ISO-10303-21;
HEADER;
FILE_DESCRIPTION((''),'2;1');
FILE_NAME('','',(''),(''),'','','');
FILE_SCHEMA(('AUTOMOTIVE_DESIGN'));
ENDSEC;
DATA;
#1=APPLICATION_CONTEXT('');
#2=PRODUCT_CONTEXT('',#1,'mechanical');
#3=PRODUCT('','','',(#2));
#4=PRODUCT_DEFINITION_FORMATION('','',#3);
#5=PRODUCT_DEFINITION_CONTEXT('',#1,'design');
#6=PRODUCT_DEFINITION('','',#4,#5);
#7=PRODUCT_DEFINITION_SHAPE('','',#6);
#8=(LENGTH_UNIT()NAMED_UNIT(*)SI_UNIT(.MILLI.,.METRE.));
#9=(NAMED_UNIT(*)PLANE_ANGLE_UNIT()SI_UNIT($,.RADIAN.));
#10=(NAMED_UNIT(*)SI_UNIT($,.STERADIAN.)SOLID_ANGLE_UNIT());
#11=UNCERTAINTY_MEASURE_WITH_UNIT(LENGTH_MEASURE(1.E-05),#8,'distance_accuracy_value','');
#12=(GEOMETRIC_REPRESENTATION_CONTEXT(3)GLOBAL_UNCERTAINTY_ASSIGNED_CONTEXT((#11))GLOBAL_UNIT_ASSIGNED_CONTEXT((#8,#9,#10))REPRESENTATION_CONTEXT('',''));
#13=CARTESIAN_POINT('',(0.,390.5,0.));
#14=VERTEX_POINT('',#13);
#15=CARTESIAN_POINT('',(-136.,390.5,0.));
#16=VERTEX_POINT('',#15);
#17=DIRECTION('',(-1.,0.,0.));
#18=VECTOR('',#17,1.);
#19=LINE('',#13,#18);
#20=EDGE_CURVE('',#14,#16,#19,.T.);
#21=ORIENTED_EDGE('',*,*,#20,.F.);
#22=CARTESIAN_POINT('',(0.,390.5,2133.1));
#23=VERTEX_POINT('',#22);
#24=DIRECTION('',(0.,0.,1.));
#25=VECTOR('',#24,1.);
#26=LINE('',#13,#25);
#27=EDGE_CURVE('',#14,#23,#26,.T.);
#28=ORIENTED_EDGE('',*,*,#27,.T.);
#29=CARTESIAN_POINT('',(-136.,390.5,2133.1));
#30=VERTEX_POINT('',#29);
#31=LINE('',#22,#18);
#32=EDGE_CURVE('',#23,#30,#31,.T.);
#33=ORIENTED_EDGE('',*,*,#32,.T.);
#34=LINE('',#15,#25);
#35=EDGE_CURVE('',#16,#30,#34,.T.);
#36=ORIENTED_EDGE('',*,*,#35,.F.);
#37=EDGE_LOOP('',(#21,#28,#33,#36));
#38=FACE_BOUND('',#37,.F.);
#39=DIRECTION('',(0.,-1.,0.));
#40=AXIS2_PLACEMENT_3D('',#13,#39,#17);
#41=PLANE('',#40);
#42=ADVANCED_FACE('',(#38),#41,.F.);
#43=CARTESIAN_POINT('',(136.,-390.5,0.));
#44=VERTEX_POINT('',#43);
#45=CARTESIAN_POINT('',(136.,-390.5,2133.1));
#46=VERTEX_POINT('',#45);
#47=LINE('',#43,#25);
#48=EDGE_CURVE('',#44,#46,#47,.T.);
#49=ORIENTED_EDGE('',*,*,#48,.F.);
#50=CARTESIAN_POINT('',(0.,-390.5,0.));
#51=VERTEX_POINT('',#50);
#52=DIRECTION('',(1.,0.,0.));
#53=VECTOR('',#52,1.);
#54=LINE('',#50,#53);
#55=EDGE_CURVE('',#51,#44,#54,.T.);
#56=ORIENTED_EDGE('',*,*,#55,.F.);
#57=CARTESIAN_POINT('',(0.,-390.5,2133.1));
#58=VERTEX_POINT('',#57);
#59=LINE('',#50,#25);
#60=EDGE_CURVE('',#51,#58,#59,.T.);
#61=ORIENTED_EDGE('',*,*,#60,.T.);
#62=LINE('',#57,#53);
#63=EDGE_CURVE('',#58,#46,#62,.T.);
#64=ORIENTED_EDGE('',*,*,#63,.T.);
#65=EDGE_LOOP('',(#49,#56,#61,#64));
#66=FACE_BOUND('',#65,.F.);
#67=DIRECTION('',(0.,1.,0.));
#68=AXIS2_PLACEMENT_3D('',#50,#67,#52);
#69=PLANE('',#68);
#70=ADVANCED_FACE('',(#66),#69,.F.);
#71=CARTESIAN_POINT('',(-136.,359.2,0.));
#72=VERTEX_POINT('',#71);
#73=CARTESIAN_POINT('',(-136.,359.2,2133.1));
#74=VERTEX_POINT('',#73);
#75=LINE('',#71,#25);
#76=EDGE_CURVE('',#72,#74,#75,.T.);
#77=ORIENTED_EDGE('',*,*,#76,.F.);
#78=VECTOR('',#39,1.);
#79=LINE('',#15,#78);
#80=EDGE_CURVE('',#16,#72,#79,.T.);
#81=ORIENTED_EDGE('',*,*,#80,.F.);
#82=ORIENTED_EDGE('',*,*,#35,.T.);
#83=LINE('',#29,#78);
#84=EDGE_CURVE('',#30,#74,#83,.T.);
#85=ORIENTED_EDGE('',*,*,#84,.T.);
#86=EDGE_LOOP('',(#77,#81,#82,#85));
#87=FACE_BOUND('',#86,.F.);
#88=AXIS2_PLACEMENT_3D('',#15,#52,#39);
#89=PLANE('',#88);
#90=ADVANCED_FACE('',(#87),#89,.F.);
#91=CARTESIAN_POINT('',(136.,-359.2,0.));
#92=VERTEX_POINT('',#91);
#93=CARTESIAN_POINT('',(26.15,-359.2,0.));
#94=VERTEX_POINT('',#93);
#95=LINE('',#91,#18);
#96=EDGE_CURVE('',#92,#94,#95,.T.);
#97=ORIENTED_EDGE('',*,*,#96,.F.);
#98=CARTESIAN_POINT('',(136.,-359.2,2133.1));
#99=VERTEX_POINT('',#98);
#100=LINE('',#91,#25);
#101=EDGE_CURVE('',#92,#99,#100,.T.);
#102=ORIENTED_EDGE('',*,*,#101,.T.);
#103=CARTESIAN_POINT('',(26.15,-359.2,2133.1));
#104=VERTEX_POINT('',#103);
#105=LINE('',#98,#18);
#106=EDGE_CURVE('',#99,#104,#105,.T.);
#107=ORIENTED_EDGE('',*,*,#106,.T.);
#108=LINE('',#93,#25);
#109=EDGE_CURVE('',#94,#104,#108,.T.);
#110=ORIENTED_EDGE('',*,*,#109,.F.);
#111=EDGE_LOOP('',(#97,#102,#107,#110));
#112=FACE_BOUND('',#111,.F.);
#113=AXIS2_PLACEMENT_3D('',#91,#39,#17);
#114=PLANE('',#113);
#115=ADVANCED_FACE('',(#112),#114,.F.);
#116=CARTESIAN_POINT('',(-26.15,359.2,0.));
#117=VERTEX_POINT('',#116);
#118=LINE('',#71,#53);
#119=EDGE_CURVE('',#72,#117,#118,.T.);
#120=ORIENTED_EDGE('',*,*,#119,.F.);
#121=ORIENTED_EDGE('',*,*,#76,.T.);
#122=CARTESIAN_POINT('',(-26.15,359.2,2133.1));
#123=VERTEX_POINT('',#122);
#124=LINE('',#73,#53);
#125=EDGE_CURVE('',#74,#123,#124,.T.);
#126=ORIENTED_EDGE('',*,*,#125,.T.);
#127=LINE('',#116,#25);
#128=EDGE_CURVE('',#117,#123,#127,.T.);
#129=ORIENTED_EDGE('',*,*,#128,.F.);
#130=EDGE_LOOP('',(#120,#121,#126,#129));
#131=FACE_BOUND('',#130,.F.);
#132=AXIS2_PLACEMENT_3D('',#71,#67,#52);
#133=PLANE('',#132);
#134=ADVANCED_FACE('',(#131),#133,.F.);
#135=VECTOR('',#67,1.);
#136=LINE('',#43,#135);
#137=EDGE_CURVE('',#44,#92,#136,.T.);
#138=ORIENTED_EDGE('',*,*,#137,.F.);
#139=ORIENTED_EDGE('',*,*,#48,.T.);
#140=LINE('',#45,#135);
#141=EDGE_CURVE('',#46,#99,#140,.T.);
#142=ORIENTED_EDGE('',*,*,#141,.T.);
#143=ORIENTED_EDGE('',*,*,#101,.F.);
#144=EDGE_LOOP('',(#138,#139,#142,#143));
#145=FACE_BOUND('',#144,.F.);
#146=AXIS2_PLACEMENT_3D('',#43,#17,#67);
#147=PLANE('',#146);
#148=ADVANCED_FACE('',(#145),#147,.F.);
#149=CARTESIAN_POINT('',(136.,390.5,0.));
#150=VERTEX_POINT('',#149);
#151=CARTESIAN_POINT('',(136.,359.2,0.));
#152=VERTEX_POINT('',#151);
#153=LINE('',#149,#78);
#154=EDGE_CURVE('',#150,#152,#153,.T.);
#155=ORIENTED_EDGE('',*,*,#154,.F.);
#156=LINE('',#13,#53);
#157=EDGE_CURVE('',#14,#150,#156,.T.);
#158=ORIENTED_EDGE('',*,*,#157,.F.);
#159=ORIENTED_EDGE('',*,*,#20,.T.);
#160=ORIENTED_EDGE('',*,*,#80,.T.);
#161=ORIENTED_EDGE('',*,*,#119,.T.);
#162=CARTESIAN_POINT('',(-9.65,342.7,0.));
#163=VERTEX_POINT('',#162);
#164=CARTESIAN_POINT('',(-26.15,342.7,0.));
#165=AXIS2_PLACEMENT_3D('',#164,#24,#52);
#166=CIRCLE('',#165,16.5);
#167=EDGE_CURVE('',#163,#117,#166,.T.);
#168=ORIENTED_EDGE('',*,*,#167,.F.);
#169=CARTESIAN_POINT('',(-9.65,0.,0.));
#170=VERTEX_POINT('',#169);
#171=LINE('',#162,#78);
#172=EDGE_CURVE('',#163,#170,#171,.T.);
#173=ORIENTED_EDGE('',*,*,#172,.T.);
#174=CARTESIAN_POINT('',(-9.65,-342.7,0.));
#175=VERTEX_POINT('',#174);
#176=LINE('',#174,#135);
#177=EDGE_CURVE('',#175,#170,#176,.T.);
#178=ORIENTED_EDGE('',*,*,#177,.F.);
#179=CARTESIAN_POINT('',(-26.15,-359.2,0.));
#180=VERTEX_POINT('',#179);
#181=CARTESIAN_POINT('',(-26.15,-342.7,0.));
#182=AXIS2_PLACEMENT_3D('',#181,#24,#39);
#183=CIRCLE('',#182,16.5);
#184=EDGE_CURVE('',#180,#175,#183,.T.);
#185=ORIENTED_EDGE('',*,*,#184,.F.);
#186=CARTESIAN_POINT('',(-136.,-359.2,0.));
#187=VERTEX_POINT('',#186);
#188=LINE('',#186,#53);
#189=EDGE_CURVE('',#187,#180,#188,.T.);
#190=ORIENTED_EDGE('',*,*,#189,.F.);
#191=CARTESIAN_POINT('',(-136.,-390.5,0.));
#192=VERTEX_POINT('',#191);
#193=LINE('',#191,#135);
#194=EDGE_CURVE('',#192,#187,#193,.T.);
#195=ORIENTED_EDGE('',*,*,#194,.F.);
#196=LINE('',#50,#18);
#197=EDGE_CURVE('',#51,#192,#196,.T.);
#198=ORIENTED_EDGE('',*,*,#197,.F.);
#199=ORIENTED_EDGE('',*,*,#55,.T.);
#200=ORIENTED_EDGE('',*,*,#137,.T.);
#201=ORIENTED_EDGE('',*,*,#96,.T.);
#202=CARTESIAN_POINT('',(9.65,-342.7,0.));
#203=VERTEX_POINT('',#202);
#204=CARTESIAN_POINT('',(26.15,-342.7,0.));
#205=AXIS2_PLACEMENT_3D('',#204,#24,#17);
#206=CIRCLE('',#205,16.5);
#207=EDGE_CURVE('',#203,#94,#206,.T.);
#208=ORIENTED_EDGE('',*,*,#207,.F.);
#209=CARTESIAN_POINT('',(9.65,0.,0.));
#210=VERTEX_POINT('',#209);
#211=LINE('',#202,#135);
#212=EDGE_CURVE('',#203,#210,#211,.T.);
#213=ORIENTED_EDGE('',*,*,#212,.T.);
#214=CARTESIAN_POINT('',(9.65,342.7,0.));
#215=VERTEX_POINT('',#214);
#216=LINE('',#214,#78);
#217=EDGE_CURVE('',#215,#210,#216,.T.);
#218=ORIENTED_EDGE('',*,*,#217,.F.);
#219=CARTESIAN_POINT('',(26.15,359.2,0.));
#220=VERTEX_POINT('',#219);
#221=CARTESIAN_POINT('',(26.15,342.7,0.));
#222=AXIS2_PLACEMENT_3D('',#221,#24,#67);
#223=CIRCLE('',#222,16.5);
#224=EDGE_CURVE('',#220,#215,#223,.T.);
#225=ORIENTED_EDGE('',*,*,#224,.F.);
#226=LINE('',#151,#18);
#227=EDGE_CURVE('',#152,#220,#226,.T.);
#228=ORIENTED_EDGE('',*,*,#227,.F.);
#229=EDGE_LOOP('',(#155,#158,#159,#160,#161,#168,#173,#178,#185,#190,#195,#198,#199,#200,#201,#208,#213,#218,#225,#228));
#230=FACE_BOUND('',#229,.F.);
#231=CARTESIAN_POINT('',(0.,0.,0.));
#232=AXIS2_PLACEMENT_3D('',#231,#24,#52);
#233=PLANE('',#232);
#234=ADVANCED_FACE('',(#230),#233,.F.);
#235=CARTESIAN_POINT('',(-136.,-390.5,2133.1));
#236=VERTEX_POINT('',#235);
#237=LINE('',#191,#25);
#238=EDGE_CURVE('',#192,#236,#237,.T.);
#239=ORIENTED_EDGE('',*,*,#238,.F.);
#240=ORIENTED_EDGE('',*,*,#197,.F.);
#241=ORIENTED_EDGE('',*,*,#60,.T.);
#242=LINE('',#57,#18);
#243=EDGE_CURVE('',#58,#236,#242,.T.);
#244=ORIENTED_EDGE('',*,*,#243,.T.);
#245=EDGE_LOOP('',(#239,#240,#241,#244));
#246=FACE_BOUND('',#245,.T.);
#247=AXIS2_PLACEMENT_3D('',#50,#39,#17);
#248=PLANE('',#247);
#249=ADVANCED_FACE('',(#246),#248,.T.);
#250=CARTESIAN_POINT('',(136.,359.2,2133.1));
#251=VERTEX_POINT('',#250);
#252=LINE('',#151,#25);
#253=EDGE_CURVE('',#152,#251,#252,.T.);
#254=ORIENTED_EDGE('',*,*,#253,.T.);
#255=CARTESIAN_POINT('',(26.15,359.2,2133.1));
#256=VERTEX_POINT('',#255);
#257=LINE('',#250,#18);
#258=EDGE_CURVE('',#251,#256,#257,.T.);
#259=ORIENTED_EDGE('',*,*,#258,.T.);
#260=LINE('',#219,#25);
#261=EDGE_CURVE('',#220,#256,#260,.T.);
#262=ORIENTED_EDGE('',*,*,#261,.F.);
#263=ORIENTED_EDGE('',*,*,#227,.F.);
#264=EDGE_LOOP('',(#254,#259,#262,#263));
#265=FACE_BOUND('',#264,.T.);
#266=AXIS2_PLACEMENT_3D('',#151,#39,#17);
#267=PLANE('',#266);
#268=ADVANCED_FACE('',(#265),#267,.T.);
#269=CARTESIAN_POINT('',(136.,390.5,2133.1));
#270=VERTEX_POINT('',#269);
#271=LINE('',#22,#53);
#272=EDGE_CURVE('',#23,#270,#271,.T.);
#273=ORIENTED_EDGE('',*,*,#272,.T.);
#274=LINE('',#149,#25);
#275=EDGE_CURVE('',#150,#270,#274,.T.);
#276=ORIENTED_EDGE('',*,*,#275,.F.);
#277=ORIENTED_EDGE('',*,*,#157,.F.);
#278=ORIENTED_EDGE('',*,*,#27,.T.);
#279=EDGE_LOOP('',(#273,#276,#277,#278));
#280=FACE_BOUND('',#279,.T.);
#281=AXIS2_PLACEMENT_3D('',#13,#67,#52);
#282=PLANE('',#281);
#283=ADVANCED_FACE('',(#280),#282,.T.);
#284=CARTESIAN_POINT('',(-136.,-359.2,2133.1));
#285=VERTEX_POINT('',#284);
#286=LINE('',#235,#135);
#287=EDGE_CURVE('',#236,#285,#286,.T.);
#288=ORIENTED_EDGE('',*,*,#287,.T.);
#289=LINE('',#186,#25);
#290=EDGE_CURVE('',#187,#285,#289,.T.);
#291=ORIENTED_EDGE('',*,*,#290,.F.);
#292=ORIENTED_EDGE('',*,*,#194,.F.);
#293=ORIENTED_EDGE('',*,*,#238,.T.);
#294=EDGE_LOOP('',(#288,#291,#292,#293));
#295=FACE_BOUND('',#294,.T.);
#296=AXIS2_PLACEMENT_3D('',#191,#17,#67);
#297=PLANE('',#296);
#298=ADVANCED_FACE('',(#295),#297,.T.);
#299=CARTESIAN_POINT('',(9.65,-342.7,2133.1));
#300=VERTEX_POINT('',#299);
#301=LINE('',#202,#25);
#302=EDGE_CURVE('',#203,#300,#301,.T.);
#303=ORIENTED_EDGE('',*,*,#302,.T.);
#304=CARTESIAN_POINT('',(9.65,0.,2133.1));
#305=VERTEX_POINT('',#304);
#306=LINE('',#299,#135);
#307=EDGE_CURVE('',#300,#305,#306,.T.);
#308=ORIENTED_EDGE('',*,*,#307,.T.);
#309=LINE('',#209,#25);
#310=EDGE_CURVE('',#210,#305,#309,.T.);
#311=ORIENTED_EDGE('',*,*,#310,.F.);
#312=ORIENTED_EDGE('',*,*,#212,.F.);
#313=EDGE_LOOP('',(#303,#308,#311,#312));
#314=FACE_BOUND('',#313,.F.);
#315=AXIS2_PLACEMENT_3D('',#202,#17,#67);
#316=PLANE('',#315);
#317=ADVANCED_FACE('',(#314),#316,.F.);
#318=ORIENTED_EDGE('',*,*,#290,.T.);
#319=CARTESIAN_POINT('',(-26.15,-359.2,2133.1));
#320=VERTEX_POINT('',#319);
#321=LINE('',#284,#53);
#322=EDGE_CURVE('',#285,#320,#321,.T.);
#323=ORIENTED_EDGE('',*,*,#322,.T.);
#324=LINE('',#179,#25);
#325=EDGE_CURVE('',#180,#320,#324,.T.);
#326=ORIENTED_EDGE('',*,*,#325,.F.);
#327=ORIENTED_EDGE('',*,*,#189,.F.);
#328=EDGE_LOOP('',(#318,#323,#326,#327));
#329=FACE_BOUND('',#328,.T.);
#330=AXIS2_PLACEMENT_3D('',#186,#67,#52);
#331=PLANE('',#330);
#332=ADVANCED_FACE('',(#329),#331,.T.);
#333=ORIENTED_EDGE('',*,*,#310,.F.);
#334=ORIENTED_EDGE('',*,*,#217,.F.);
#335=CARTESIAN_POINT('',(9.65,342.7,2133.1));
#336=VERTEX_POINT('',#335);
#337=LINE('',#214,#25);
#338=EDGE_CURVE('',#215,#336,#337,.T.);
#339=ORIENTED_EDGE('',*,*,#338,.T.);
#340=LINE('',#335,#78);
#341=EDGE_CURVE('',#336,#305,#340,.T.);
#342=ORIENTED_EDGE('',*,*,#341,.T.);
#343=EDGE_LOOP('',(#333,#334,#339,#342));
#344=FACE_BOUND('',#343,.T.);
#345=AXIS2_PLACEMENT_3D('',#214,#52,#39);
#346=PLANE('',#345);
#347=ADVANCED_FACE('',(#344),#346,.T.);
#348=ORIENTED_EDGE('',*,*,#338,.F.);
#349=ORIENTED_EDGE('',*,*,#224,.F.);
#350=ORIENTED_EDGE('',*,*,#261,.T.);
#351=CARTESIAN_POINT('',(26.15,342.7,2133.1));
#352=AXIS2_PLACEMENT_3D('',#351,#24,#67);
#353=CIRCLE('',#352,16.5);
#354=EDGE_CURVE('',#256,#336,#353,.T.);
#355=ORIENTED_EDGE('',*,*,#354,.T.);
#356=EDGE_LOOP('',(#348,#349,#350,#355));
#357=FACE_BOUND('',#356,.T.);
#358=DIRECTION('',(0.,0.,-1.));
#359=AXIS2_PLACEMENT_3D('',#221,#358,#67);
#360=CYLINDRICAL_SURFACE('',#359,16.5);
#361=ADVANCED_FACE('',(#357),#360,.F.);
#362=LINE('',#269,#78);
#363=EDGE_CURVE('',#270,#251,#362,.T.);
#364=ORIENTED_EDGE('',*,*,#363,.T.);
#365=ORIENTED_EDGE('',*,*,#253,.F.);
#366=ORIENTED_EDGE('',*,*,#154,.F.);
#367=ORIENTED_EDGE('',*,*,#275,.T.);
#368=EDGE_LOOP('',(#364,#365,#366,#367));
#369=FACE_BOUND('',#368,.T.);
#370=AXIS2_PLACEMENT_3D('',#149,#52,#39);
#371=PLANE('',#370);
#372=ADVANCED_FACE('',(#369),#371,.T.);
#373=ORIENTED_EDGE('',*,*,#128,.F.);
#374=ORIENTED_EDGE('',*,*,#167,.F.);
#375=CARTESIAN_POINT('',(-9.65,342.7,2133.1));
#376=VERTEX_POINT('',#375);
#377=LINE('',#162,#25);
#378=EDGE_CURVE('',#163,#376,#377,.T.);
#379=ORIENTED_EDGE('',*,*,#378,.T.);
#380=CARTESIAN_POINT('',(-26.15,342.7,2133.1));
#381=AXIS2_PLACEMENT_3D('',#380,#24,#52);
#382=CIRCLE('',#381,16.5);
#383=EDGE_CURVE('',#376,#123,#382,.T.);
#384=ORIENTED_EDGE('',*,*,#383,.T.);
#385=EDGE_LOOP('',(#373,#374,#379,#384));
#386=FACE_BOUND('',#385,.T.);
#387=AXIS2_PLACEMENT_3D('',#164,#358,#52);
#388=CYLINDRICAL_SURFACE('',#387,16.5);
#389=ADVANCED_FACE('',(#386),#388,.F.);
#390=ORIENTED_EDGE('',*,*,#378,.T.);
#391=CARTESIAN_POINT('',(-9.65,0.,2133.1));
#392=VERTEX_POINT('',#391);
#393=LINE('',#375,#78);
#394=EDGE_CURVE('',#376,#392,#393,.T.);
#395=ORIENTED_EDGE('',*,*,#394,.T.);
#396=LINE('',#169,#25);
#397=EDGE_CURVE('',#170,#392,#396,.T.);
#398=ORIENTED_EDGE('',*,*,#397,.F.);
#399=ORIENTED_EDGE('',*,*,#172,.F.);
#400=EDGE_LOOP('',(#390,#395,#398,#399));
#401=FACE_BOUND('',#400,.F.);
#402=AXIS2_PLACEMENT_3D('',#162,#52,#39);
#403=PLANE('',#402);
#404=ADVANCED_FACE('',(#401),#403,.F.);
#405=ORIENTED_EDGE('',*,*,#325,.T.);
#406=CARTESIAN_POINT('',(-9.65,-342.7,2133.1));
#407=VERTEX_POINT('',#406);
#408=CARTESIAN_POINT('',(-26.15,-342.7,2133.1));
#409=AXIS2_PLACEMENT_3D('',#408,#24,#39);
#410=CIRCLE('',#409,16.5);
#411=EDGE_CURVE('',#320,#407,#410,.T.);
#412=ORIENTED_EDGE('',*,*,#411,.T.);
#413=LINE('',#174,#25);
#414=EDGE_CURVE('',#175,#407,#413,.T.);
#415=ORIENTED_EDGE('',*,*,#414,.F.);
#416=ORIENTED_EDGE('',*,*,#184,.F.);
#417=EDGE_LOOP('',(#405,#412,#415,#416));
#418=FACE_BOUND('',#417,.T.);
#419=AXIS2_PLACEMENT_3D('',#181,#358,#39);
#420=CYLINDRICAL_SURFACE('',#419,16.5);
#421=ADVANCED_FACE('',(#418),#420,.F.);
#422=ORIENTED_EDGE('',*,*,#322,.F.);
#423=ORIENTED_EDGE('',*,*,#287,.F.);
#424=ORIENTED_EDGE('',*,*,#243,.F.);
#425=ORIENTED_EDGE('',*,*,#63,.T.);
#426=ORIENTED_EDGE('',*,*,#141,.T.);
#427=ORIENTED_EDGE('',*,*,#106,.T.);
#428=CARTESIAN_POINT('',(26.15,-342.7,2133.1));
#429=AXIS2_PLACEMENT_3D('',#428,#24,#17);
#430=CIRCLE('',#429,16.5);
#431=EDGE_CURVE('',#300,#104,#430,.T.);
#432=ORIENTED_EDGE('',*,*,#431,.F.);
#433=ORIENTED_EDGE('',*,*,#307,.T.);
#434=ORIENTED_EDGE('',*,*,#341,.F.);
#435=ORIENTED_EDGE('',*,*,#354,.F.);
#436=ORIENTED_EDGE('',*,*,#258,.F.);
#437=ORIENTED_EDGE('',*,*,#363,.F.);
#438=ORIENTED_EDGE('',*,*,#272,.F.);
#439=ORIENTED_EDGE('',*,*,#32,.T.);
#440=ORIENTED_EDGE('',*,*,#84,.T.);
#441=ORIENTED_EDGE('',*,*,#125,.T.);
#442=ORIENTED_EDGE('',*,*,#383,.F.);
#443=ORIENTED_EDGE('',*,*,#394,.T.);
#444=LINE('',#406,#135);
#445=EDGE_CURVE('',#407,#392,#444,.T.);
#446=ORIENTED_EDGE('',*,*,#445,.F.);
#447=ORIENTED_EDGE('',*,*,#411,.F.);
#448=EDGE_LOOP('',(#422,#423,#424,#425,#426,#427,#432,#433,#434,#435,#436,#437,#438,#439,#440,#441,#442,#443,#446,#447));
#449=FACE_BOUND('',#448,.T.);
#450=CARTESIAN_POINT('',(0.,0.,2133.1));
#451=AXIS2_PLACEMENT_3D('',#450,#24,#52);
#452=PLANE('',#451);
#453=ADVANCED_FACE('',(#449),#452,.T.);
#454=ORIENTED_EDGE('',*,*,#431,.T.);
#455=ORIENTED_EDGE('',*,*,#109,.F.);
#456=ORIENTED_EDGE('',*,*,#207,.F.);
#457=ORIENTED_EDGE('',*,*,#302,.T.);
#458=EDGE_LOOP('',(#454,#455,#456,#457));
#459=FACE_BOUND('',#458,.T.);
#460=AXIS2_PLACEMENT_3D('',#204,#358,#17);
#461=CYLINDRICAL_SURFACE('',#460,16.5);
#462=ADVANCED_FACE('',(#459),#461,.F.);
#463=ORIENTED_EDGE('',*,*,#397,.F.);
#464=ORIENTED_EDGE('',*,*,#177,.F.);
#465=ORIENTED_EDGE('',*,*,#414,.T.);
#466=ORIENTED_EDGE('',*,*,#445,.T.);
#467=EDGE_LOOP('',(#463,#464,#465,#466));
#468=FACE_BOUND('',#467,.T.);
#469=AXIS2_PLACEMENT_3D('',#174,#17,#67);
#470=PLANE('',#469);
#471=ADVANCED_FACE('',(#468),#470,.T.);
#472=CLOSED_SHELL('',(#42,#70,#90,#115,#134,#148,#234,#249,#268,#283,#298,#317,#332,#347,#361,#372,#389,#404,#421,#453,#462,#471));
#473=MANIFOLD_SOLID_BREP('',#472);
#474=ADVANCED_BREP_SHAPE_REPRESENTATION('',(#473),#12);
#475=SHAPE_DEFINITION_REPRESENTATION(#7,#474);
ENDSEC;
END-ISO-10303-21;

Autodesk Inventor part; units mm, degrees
ref_plane "YZ Plane" through (0, 0, 0) normal (1, 0, 0) x (0, 1, 0)
ref_plane "Start plane" through (0, 0, 0) normal (0, 0, 1) x (1, 0, 0)
ref_plane "End plane" through (0, 0, 2133.1) normal (0, 0, 1) x (1, 0, 0)
sketch "Sketch" plane through (0, 0, 0) normal (0, 0, 1) x (1, 0, 0)
  line L0 (-136, -390.5) -> (-136, -359.2)
  line L1 (-136, -359.2) -> (-26.15, -359.2)
  line L2 (-9.65, -342.7) -> (-9.65, 0)
  line L3 (-9.65, 0) -> (0, 0) construction
  line L4 (0, 0) -> (0, -390.5) construction
  line L5 (0, -390.5) -> (-136, -390.5)
  line L6 (-60, 0) -> (80, 0) construction
  line L7 (0, -60) -> (0, 80) construction
  line L8 (136, -390.5) -> (136, -359.2)
  line L9 (136, -359.2) -> (26.15, -359.2)
  line L10 (9.65, -342.7) -> (9.65, 0)
  line L11 (9.65, 0) -> (0, 0) construction
  line L12 (0, -390.5) -> (136, -390.5)
  line L13 (-136, 390.5) -> (-136, 359.2)
  line L14 (-136, 359.2) -> (-26.15, 359.2)
  line L15 (-9.65, 342.7) -> (-9.65, 0)
  line L16 (0, 390.5) -> (-136, 390.5)
  line L17 (136, 390.5) -> (136, 359.2)
  line L18 (136, 359.2) -> (26.15, 359.2)
  line L19 (0, 390.5) -> (136, 390.5)
  line L20 (9.65, 342.7) -> (9.65, 0)
  arc A0 (-9.65, 342.7) -> (-26.15, 359.2) centre (-26.15, 342.7) ccw
  arc A1 (26.15, 359.2) -> (9.65, 342.7) centre (26.15, 342.7) ccw
  arc A2 (9.65, -342.7) -> (26.15, -359.2) centre (26.15, -342.7) ccw
  arc A3 (-26.15, -359.2) -> (-9.65, -342.7) centre (-26.15, -342.7) ccw
  line L21 (0, 108) -> (0, -88) construction
  line L22 (-88, 0) -> (108, 0) construction
  point P0 (-9.65, -359.2)
  point P1 (9.65, -359.2)
  point P2 (-9.65, 359.2)
  point P3 (9.65, 359.2)
  dimension "d1" = 390.5
  dimension "d2" = 31.3
  dimension "d3" = 136
  dimension "d4" = 9.65
  dimension "d10" = 16.5
extrude "Body" add sketch "Sketch" along normal up to surface (2133.1 mm away) from surface at 0
sketch "Sketch4" plane through (0, 0, 0) normal (0, 0, 1) x (1, 0, 0)
  line L0 (0, 0) -> (10, 0)
ref_plane "Work Plane3" through (0, 0, 0) normal (0, -1, 0) x (1, 0, 0)
sketch "Sketch5" plane through (0, 0, 0) normal (0, -1, 0) x (1, 0, 0)
  line L0 (-2, 0) -> (12, 0) projected
  line L1 (-2, 2133.1) -> (12, 2133.1) projected
  dimension "d14" = 2133.1
equation "\"d1\" = 0.5 * G_H"
equation "\"d2\" = G_T1"
equation "\"d3\" = 0.5 * G_W"
equation "\"d4\" = 0.5 * G_T"
equation "\"d10\" = G_IR"
equation "\"d5\" = G_L"
equation "\"G_W\" = 272"
equation "\"G_H\" = 781"
equation "\"G_T\" = 19.3"
equation "\"G_T1\" = 31.3"
equation "\"G_IR\" = 16.5"
equation "\"G_L\" = d14"
equation "\"G_OFFSET_START\" = 0"
equation "\"G_OFFSET_END\" = 0"
equation "\"d12\" = G_OFFSET_END + B_L"
equation "\"B_L\" = 2133.1"
properties part number "AS 3679-1990 - 760 UB - 244 - 2133.1" material "Steel, Mild"
